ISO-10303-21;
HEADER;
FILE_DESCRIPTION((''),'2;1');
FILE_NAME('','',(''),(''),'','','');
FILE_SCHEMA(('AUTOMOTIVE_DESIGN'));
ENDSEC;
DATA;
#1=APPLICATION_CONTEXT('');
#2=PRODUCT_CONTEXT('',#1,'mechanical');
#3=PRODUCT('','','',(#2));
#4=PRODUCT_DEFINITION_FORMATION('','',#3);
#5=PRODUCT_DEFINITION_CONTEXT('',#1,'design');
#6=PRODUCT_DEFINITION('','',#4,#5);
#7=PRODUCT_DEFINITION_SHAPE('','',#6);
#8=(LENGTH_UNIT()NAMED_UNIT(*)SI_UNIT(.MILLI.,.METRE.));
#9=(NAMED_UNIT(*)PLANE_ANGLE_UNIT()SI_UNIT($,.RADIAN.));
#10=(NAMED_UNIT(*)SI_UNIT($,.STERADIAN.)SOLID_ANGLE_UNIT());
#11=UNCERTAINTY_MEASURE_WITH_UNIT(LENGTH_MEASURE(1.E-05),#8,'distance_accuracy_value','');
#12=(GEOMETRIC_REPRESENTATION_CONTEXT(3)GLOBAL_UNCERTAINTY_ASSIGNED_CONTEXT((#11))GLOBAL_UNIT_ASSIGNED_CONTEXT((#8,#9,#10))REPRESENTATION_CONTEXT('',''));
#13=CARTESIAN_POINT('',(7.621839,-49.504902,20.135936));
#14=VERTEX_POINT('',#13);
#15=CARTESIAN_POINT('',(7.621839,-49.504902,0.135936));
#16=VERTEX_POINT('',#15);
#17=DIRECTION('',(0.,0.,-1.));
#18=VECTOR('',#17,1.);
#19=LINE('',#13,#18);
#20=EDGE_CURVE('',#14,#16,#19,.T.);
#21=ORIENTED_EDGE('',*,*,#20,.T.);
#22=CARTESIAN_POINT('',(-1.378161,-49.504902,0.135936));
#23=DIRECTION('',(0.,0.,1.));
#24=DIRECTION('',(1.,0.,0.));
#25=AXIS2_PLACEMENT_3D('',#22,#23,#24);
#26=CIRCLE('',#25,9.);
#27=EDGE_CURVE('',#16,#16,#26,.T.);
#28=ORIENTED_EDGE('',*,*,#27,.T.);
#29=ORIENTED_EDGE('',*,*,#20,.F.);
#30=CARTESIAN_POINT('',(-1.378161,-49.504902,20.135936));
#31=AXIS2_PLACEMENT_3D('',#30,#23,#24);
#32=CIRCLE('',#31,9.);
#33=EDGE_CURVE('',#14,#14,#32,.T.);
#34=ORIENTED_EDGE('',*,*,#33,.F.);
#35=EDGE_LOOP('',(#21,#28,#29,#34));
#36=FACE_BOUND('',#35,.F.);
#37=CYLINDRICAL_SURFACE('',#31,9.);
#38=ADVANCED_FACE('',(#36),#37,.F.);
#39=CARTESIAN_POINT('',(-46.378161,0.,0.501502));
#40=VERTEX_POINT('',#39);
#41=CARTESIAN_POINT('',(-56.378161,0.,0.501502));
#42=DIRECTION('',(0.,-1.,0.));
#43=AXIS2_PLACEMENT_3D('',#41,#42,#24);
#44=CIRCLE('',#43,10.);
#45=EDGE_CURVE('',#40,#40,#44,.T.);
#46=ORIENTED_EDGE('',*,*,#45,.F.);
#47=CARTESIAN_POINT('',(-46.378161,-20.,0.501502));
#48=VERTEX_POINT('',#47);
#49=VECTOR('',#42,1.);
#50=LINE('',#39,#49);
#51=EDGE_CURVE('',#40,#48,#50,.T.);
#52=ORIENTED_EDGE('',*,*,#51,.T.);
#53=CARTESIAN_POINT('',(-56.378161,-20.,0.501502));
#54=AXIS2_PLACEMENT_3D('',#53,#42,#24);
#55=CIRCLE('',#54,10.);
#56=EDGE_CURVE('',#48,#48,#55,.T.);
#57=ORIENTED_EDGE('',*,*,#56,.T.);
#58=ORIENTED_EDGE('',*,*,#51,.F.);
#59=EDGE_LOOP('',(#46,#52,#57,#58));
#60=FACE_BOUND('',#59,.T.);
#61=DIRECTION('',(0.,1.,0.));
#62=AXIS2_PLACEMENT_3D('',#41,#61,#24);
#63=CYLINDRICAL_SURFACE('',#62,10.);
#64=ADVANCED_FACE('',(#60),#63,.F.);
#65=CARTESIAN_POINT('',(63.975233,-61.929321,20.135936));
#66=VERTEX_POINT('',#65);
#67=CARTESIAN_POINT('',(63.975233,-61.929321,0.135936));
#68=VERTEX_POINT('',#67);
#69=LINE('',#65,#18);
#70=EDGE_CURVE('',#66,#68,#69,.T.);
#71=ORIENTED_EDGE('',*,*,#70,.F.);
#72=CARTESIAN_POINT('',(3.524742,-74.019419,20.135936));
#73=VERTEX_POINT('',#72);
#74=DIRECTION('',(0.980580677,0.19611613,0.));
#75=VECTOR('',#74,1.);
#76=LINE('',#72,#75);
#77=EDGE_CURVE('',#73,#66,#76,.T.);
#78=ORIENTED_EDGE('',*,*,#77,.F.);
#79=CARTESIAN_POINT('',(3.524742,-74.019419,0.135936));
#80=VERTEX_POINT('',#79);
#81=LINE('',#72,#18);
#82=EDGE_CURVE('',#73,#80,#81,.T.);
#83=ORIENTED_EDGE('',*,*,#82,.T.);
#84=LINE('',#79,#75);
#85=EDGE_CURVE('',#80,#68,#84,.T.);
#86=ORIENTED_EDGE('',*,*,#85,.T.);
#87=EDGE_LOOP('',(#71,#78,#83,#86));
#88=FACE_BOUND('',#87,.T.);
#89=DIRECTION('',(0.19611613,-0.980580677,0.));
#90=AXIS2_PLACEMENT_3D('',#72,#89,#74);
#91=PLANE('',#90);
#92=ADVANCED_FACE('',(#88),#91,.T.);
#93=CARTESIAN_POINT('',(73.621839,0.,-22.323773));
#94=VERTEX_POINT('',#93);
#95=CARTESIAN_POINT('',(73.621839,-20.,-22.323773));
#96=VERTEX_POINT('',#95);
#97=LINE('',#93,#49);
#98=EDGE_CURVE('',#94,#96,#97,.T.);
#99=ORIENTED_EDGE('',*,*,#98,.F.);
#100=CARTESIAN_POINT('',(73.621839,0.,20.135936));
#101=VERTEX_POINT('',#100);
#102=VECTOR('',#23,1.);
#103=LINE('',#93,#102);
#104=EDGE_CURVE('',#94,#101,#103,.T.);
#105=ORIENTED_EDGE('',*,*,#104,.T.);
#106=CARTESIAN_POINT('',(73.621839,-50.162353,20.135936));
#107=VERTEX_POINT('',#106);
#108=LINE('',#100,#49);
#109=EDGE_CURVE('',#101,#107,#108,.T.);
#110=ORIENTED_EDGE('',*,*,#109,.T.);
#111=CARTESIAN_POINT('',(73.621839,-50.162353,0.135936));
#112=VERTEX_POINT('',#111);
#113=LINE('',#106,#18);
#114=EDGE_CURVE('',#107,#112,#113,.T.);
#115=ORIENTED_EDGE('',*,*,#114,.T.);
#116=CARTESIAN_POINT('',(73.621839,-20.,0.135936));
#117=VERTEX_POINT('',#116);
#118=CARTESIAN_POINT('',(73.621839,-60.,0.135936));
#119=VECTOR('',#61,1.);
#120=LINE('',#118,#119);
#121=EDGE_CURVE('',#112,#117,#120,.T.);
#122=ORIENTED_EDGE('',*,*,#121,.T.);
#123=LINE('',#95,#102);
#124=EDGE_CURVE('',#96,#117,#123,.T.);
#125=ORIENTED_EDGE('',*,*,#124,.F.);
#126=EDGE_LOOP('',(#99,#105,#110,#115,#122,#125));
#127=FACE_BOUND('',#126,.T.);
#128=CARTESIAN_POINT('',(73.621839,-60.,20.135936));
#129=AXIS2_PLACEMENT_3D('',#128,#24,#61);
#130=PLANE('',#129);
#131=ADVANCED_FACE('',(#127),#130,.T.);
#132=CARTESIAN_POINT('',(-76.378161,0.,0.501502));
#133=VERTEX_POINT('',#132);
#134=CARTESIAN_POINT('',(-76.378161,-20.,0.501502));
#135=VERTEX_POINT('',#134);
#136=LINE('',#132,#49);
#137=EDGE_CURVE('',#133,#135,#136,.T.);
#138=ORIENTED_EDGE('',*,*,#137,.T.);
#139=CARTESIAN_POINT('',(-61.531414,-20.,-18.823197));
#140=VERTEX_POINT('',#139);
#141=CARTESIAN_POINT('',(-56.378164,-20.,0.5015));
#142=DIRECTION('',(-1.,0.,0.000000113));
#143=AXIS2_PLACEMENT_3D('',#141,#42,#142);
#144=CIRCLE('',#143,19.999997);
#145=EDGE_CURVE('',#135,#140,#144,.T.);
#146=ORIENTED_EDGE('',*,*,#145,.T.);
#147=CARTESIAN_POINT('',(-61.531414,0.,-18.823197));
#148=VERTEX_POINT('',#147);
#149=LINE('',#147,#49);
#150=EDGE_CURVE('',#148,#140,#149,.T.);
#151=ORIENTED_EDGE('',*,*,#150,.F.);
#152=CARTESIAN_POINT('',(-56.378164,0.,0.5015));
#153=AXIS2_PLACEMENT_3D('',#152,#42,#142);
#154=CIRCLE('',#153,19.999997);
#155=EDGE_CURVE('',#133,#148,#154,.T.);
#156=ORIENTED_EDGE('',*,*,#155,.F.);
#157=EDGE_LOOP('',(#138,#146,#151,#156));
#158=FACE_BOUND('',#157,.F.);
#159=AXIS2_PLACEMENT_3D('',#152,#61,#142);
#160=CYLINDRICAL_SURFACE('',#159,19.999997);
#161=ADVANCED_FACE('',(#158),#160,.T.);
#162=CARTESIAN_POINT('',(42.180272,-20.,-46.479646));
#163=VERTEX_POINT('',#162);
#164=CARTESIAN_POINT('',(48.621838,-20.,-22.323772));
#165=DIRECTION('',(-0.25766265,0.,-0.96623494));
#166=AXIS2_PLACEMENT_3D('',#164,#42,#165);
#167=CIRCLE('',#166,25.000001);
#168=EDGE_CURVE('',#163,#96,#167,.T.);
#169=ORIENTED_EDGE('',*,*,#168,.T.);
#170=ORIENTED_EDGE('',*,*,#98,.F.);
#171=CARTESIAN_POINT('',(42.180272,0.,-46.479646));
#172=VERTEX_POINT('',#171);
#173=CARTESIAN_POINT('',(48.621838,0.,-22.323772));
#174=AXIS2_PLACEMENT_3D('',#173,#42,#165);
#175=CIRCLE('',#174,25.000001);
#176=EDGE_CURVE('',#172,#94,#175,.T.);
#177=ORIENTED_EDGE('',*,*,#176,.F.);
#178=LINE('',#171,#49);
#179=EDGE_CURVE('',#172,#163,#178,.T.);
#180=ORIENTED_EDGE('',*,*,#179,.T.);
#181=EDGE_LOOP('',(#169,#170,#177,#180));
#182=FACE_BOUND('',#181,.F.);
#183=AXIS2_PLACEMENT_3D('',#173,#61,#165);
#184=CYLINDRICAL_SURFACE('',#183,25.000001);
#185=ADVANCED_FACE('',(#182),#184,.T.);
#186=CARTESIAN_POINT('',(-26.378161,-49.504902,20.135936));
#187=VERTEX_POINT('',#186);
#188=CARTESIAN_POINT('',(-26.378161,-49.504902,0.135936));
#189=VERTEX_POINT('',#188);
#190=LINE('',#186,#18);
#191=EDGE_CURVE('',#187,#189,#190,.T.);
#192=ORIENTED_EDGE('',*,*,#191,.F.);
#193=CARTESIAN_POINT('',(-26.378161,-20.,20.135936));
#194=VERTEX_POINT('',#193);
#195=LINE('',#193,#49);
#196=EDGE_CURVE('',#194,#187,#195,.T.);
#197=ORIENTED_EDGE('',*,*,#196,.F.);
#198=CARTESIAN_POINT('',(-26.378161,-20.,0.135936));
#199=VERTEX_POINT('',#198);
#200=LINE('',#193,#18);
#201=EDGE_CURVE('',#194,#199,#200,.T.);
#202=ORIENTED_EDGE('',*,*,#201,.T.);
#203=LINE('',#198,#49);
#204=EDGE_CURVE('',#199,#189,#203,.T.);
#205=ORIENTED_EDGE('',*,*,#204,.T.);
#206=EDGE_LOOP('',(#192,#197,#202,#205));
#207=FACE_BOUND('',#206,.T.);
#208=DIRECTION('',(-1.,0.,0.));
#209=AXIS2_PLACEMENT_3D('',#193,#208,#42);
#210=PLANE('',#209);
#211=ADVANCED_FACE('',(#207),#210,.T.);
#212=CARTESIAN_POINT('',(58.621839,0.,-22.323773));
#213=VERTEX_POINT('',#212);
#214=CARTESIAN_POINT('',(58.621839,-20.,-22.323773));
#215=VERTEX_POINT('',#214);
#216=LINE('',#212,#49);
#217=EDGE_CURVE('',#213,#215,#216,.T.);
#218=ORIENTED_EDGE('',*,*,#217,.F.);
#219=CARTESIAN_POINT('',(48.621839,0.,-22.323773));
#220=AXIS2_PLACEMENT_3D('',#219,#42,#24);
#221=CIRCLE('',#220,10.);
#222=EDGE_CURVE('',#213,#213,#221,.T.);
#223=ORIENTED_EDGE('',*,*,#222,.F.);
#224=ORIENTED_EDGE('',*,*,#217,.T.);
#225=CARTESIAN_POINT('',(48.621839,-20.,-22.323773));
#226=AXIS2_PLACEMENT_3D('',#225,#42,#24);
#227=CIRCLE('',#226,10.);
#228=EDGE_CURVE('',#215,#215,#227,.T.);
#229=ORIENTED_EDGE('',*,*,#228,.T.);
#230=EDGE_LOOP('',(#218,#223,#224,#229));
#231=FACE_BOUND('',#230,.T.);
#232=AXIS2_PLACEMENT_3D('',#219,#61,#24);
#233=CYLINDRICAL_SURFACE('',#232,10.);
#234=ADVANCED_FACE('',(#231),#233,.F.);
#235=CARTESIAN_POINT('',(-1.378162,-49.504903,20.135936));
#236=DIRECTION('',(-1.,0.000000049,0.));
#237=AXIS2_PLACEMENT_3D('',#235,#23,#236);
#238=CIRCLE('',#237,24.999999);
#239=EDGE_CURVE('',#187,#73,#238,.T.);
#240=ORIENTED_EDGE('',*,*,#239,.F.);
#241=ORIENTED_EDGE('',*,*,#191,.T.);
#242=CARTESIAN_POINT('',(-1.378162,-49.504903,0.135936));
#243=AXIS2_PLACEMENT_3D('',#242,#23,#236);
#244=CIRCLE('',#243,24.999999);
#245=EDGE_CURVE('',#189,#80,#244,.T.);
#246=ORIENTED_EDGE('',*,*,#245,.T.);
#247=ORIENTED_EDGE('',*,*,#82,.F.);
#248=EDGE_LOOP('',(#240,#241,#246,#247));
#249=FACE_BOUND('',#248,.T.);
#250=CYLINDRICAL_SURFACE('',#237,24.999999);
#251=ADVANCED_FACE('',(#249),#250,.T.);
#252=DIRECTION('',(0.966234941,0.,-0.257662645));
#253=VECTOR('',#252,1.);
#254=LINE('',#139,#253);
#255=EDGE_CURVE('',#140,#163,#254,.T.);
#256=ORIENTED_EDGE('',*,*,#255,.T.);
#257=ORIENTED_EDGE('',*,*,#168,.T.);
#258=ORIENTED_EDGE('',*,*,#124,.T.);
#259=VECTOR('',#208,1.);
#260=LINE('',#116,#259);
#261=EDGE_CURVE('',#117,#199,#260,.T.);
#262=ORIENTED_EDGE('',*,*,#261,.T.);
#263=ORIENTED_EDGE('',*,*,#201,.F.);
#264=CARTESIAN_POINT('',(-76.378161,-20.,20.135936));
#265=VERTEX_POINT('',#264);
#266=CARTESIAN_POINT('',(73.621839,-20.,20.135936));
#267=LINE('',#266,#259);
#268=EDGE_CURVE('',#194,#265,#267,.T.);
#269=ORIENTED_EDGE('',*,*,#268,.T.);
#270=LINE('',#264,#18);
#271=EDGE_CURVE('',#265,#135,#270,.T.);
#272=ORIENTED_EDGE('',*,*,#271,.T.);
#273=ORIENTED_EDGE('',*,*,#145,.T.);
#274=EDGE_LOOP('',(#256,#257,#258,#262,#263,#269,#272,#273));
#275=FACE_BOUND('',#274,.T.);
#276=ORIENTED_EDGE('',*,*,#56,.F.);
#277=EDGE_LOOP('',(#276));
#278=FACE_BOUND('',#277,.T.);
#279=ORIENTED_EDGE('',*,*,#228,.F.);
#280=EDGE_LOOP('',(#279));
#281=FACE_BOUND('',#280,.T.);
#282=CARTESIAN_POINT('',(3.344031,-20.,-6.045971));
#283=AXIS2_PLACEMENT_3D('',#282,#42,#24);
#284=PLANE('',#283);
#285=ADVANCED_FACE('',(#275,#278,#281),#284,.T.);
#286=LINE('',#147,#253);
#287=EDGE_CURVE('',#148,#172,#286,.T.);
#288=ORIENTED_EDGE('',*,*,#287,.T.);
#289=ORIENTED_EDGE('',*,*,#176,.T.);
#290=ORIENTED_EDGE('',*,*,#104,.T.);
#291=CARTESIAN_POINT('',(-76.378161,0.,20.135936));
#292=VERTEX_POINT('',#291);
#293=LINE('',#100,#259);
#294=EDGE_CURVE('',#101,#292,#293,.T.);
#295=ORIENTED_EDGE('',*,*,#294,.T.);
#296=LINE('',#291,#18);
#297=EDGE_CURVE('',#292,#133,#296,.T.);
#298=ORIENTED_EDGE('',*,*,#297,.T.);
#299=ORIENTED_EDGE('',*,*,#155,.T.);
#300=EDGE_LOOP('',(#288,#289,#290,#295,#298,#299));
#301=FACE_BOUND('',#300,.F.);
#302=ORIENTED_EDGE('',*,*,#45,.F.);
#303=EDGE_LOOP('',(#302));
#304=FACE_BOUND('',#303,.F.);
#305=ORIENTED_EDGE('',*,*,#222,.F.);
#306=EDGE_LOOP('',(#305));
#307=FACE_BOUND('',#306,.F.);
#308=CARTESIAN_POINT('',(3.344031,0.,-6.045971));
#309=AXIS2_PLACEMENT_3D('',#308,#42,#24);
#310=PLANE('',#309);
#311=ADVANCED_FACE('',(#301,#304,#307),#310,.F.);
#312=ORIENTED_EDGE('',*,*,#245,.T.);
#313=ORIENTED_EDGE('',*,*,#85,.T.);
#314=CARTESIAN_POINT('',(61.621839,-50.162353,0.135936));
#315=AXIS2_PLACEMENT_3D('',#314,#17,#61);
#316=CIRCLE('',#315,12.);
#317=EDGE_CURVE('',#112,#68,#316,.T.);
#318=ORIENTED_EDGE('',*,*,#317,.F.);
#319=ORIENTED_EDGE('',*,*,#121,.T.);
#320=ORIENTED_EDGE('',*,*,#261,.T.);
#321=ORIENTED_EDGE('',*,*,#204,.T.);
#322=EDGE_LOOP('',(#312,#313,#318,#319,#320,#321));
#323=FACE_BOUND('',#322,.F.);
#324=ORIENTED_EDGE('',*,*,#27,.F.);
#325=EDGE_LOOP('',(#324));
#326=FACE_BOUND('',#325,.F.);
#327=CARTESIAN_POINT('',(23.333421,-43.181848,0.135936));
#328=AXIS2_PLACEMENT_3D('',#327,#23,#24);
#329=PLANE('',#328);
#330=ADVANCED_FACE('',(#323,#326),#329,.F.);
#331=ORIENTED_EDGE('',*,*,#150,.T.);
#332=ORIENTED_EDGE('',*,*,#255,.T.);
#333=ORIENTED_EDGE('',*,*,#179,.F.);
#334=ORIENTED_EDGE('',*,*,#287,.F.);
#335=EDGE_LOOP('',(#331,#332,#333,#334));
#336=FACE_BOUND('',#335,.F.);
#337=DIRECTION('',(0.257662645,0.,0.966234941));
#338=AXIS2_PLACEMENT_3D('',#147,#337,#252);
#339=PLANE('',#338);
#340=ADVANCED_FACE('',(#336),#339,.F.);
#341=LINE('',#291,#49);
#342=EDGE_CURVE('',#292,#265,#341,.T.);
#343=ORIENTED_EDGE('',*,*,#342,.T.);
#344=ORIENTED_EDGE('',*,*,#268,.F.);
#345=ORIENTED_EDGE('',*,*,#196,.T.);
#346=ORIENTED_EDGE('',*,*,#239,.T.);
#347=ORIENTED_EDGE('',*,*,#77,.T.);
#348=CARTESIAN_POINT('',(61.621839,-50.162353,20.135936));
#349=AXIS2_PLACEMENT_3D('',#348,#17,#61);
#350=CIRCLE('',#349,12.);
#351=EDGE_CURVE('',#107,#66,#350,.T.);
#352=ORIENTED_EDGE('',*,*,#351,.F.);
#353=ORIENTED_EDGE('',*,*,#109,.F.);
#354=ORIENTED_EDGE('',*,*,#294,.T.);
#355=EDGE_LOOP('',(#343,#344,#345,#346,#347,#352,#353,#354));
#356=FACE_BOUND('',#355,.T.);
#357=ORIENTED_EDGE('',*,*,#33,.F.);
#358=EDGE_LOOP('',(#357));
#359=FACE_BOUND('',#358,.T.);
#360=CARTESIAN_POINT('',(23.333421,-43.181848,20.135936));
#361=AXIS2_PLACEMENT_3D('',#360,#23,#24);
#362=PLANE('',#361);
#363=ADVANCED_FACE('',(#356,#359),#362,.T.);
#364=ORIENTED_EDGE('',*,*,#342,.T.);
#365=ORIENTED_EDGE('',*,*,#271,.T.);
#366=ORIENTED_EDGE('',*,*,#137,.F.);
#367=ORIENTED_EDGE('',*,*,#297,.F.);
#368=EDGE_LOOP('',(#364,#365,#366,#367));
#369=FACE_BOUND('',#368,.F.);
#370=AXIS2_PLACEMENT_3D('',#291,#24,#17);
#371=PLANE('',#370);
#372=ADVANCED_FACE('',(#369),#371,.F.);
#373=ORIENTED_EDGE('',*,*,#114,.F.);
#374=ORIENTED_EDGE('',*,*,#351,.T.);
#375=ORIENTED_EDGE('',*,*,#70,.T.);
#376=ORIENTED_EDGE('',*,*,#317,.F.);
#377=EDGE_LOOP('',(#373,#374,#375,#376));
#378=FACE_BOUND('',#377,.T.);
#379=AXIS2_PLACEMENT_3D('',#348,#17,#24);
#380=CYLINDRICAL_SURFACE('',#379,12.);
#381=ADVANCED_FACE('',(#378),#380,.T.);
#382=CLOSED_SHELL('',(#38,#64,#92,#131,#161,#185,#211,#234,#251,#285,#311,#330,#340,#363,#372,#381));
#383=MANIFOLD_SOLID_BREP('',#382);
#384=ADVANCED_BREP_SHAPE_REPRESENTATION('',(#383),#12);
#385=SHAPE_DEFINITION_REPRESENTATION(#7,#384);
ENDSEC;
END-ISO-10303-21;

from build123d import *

# Parameters (mm, degrees)
F0_R     = 10
F1_DEPTH = 20
F2_R     = 9
F3_DEPTH = 20
F4_R     = 12


with BuildPart() as f1:
    # F0 (on Front) → F1 (new body)
    with BuildSketch(Plane.XZ):
        with BuildLine():
            Line((-76.378161, 20.135936), (-76.378161, 0.501502))
            ThreePointArc((-76.378161, 0.501502), (-72.237939, -11.683221), (-61.531414, -18.823197))
            Line((-61.531414, -18.823197), (42.180272, -46.479646))
            ThreePointArc((42.180272, -46.479646), (63.852742, -42.148494), (73.621839, -22.323773))
            Line((73.621839, -22.323773), (73.621839, 20.135936))
            Line((73.621839, 20.135936), (-76.378161, 20.135936))
        make_face()
        with Locations((48.621839, -22.323773)):
            Circle(F0_R, mode=Mode.SUBTRACT)
        with Locations((-56.378161, 0.501502)):
            Circle(F0_R, mode=Mode.SUBTRACT)
    extrude(amount=F1_DEPTH)

    # F2 (on face) → F3 (join)
    with BuildSketch(Plane.XY.offset(20.135936)):
        with BuildLine():
            Line((73.621839, -60), (73.621839, -20))
            Line((73.621839, -20), (-26.378161, -20))
            Line((-26.378161, -20), (-26.378161, -49.504902))
            ThreePointArc((-26.378161, -49.504902), (-17.227884, -68.838456), (3.524742, -74.019419))
            Line((3.524742, -74.019419), (73.621839, -60))
        make_face()
        with Locations((-1.378161, -49.504902)):
            Circle(F2_R, mode=Mode.SUBTRACT)
    extrude(amount=-F3_DEPTH)

    # F4
    f4_edges = [f1.edges().sort_by_distance(p)[0] for p in [
        (73.621839, -60, 10.135936),
    ]]
    fillet(f4_edges, radius=F4_R)


solid = f1.part
